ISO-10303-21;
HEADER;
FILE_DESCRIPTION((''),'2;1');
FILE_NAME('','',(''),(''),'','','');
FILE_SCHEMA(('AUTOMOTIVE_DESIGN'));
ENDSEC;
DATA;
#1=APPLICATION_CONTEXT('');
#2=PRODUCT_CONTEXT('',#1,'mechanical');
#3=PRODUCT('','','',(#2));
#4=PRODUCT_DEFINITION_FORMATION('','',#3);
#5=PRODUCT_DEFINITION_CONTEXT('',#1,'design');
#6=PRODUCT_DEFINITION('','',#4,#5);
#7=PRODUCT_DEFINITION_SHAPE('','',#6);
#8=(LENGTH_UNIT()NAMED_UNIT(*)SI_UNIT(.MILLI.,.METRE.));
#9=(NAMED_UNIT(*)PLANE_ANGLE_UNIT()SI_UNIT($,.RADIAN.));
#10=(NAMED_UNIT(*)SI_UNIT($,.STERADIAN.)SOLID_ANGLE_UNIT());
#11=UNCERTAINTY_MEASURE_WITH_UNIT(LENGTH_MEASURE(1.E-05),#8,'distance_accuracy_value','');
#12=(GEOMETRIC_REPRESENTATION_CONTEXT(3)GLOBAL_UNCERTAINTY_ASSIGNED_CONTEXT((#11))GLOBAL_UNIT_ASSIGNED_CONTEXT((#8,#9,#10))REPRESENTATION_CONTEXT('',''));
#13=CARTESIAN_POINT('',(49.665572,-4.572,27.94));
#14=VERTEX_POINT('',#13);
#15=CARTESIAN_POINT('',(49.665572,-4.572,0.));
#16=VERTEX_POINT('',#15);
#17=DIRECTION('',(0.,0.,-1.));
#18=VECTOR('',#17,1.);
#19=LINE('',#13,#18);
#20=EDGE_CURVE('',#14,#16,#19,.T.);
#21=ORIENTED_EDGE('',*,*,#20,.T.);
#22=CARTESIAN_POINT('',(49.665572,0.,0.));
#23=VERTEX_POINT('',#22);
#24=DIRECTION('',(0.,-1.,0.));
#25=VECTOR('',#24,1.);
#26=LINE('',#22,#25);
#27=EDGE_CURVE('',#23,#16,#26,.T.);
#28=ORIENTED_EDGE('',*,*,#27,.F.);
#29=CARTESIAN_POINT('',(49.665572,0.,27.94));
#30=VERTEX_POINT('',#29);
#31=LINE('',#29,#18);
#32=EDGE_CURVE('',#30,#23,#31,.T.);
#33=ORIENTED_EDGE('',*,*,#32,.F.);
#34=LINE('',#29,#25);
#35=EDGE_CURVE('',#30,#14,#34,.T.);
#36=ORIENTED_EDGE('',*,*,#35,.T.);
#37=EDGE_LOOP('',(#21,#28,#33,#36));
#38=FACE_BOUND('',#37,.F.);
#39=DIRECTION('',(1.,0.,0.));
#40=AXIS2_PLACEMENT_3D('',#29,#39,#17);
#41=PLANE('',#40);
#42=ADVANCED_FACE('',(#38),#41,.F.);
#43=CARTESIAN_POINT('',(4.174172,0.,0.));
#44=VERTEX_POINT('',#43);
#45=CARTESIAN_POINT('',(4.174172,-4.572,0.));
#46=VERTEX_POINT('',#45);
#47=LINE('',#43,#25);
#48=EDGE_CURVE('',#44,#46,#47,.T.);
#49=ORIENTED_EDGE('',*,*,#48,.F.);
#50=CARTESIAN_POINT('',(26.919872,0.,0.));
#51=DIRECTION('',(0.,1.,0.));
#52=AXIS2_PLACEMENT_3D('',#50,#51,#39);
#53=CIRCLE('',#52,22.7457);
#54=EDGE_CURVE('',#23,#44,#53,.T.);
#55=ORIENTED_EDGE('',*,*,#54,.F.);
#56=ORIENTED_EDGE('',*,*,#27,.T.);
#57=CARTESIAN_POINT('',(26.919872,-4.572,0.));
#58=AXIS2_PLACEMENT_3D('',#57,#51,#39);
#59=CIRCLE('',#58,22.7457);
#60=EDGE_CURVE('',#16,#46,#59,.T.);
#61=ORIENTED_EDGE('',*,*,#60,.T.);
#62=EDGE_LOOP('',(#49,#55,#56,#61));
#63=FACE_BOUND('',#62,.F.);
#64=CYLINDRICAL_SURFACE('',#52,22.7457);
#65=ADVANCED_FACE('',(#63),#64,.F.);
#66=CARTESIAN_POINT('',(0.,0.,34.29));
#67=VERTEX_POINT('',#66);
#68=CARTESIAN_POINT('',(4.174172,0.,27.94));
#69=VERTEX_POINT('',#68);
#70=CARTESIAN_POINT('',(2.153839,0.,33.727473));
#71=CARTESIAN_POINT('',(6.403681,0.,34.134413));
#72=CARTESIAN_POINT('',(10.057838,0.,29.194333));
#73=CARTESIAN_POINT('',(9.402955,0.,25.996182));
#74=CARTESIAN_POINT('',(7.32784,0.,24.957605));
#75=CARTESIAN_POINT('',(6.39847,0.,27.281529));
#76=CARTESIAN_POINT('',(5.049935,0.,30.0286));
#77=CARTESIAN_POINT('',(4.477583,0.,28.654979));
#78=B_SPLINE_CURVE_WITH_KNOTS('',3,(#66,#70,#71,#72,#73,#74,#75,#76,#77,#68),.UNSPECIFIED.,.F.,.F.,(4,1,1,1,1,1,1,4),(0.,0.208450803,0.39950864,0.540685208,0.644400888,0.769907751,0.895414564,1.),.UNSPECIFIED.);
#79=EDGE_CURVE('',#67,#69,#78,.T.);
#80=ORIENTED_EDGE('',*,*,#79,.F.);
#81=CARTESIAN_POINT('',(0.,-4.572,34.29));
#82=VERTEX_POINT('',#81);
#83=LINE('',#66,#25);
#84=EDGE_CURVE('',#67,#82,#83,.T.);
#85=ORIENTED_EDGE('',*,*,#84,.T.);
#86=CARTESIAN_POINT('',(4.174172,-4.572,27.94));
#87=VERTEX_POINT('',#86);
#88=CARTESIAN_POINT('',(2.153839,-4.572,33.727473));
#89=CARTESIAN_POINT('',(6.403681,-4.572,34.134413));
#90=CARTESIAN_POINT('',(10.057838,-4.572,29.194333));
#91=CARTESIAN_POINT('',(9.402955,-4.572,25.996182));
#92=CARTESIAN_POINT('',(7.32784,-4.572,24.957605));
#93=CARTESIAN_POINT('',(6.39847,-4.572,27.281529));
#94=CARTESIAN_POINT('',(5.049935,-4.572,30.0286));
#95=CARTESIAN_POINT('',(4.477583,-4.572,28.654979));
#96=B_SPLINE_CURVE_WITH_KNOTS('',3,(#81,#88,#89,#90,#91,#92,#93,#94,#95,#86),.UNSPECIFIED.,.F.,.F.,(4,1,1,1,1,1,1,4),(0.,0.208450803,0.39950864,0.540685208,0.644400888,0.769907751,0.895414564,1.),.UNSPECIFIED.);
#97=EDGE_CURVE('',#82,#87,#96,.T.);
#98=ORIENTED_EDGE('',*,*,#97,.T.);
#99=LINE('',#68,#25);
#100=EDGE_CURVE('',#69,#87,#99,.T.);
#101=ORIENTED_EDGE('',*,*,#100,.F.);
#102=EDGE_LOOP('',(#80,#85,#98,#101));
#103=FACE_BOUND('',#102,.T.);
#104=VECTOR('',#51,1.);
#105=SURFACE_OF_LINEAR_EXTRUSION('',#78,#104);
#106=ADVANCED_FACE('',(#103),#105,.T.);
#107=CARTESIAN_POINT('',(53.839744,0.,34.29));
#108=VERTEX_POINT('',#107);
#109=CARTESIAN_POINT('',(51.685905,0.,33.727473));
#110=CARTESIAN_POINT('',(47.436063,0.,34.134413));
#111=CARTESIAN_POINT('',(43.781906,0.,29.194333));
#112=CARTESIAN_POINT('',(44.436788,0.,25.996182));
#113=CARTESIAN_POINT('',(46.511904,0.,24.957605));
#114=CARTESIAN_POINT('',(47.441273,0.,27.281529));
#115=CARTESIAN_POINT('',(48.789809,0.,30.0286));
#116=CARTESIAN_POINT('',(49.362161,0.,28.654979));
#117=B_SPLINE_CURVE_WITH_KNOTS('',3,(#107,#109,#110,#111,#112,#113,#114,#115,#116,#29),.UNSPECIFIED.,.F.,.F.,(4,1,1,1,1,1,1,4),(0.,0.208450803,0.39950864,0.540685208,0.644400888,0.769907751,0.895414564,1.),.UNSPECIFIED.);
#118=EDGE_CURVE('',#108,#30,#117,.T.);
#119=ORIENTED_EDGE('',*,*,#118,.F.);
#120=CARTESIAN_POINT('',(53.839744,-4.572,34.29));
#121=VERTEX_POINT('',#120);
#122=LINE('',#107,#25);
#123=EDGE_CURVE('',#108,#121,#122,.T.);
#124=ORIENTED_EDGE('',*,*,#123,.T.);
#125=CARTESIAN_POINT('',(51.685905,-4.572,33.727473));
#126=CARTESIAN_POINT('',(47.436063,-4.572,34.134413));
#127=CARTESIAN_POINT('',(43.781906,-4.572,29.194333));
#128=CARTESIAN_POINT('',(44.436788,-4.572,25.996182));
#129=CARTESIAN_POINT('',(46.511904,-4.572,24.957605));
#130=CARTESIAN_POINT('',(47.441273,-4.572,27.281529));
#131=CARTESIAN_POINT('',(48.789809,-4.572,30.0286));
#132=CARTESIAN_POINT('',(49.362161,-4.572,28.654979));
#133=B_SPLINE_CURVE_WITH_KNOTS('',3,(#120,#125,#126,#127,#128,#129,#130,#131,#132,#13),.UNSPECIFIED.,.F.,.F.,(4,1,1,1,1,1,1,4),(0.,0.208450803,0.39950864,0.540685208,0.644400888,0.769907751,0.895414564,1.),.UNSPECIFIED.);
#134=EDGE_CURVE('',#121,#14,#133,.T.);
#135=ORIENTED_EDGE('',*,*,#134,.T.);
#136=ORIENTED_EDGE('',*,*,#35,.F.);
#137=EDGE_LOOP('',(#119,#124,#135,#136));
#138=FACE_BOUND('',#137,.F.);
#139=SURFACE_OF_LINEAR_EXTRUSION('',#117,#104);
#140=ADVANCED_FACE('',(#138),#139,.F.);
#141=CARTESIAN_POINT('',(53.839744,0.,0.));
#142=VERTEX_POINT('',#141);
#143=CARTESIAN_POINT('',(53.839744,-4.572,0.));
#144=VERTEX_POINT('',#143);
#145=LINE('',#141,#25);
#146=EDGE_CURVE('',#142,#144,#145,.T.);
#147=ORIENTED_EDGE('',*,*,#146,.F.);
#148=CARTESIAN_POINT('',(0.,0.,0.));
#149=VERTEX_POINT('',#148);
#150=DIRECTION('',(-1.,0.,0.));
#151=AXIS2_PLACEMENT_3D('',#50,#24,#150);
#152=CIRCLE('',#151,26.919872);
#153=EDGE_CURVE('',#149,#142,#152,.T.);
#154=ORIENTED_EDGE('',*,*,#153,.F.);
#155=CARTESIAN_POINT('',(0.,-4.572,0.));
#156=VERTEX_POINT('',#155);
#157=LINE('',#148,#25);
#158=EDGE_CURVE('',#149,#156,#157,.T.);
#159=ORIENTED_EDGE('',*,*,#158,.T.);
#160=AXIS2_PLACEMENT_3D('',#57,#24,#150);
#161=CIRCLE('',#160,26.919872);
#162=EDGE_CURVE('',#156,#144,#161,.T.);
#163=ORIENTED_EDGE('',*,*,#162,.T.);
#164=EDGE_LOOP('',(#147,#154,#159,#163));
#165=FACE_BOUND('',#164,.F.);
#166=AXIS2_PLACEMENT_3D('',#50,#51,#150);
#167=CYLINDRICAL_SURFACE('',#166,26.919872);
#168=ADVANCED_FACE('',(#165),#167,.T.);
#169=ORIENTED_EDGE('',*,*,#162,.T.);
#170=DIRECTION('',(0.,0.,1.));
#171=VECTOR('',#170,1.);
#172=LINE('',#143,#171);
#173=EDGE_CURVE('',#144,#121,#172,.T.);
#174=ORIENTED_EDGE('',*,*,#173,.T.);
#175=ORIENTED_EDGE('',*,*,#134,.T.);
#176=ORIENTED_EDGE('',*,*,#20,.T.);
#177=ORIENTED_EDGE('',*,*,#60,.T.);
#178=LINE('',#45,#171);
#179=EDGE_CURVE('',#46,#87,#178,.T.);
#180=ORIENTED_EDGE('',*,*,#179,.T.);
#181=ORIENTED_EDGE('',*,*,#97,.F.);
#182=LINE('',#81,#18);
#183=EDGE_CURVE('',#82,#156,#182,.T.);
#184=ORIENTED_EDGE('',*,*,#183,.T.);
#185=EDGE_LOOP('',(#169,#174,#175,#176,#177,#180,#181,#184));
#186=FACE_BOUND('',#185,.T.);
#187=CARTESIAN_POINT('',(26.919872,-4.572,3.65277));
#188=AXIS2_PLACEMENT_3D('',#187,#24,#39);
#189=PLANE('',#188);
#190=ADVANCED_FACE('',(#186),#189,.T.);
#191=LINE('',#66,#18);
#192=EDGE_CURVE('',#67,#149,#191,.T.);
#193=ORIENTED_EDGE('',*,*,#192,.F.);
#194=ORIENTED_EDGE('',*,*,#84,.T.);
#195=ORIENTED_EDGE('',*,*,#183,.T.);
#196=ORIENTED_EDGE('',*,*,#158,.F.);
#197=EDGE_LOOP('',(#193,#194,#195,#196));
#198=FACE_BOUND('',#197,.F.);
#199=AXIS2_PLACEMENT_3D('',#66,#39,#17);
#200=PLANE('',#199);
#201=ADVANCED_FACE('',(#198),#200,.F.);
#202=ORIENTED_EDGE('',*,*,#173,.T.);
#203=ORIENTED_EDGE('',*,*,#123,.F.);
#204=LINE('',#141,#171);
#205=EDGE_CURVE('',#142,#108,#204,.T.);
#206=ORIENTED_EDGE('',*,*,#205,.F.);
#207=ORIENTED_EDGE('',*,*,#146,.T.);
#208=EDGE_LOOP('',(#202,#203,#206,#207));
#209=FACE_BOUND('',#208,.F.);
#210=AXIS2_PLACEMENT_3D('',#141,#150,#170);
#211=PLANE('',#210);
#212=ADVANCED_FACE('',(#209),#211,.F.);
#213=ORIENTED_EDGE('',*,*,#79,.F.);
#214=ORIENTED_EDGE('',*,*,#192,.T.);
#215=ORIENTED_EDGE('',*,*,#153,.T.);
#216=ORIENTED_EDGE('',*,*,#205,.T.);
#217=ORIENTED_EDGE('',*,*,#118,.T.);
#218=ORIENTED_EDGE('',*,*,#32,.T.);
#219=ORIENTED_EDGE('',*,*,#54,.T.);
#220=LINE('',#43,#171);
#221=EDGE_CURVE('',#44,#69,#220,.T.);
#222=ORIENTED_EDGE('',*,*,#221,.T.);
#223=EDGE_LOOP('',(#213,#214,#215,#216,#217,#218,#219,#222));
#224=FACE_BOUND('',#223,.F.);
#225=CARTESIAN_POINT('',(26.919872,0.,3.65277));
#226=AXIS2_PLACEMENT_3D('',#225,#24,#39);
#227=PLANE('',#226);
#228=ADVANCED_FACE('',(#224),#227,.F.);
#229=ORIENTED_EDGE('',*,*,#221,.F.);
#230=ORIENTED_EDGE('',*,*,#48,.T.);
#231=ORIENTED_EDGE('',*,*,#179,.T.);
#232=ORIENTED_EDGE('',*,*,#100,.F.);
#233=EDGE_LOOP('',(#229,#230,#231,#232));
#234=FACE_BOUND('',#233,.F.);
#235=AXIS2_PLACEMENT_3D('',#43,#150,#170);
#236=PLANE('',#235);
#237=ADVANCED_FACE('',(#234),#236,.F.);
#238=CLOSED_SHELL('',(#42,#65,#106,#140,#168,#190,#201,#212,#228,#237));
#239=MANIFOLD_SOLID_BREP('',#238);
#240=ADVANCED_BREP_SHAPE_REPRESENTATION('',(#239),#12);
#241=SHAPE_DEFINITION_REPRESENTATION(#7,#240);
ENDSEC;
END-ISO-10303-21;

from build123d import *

# Parameters (mm, degrees)
F1_DEPTH = 4.572


with BuildPart() as f1:
    # F0 (on Front) → F1 (new body)
    with BuildSketch(Plane.XZ):
        with BuildLine():
            Line((0, 34.29), (0, 0))
            ThreePointArc((0, 0), (26.9198719018, -26.9198719018), (53.8397438036, 0))
            Line((53.8397438036, 0), (53.8397438036, 34.29))
            add(Edge.make_bspline(
                [(53.8397438036, 34.29), (51.685905008, 33.7274732412), (47.4360628088, 34.1344134357), (43.7819059505, 29.1943330988), (44.436788476, 25.9961819248), (46.5119035184, 24.9576054918), (47.4412733442, 27.2815292023), (48.789808972, 30.0286001615), (49.3621611426, 28.6549786971), (49.6655719018, 27.94)],
                knots=[0, 0, 0, 0, 0.2084508028, 0.39950864, 0.5406852081, 0.6444008875, 0.7699077507, 0.8954145643, 1, 1, 1, 1], degree=3))
            Line((49.6655719018, 27.94), (49.6655719018, 0))
            ThreePointArc((49.6655719018, 0), (26.9198719018, -22.7457), (4.1741719018, 0))
            Line((4.1741719018, 0), (4.1741719018, 27.94))
            add(Edge.make_bspline(
                [(0, 34.29), (2.1538387956, 33.7274732412), (6.4036809948, 34.1344134357), (10.0578378531, 29.1943330988), (9.4029553275, 25.9961819248), (7.3278402852, 24.9576054918), (6.3984704594, 27.2815292023), (5.0499348315, 30.0286001615), (4.4775826609, 28.6549786971), (4.1741719018, 27.94)],
                knots=[0, 0, 0, 0, 0.2084508028, 0.39950864, 0.5406852081, 0.6444008875, 0.7699077507, 0.8954145643, 1, 1, 1, 1], degree=3))
        make_face()
    extrude(amount=F1_DEPTH)


solid = f1.part
